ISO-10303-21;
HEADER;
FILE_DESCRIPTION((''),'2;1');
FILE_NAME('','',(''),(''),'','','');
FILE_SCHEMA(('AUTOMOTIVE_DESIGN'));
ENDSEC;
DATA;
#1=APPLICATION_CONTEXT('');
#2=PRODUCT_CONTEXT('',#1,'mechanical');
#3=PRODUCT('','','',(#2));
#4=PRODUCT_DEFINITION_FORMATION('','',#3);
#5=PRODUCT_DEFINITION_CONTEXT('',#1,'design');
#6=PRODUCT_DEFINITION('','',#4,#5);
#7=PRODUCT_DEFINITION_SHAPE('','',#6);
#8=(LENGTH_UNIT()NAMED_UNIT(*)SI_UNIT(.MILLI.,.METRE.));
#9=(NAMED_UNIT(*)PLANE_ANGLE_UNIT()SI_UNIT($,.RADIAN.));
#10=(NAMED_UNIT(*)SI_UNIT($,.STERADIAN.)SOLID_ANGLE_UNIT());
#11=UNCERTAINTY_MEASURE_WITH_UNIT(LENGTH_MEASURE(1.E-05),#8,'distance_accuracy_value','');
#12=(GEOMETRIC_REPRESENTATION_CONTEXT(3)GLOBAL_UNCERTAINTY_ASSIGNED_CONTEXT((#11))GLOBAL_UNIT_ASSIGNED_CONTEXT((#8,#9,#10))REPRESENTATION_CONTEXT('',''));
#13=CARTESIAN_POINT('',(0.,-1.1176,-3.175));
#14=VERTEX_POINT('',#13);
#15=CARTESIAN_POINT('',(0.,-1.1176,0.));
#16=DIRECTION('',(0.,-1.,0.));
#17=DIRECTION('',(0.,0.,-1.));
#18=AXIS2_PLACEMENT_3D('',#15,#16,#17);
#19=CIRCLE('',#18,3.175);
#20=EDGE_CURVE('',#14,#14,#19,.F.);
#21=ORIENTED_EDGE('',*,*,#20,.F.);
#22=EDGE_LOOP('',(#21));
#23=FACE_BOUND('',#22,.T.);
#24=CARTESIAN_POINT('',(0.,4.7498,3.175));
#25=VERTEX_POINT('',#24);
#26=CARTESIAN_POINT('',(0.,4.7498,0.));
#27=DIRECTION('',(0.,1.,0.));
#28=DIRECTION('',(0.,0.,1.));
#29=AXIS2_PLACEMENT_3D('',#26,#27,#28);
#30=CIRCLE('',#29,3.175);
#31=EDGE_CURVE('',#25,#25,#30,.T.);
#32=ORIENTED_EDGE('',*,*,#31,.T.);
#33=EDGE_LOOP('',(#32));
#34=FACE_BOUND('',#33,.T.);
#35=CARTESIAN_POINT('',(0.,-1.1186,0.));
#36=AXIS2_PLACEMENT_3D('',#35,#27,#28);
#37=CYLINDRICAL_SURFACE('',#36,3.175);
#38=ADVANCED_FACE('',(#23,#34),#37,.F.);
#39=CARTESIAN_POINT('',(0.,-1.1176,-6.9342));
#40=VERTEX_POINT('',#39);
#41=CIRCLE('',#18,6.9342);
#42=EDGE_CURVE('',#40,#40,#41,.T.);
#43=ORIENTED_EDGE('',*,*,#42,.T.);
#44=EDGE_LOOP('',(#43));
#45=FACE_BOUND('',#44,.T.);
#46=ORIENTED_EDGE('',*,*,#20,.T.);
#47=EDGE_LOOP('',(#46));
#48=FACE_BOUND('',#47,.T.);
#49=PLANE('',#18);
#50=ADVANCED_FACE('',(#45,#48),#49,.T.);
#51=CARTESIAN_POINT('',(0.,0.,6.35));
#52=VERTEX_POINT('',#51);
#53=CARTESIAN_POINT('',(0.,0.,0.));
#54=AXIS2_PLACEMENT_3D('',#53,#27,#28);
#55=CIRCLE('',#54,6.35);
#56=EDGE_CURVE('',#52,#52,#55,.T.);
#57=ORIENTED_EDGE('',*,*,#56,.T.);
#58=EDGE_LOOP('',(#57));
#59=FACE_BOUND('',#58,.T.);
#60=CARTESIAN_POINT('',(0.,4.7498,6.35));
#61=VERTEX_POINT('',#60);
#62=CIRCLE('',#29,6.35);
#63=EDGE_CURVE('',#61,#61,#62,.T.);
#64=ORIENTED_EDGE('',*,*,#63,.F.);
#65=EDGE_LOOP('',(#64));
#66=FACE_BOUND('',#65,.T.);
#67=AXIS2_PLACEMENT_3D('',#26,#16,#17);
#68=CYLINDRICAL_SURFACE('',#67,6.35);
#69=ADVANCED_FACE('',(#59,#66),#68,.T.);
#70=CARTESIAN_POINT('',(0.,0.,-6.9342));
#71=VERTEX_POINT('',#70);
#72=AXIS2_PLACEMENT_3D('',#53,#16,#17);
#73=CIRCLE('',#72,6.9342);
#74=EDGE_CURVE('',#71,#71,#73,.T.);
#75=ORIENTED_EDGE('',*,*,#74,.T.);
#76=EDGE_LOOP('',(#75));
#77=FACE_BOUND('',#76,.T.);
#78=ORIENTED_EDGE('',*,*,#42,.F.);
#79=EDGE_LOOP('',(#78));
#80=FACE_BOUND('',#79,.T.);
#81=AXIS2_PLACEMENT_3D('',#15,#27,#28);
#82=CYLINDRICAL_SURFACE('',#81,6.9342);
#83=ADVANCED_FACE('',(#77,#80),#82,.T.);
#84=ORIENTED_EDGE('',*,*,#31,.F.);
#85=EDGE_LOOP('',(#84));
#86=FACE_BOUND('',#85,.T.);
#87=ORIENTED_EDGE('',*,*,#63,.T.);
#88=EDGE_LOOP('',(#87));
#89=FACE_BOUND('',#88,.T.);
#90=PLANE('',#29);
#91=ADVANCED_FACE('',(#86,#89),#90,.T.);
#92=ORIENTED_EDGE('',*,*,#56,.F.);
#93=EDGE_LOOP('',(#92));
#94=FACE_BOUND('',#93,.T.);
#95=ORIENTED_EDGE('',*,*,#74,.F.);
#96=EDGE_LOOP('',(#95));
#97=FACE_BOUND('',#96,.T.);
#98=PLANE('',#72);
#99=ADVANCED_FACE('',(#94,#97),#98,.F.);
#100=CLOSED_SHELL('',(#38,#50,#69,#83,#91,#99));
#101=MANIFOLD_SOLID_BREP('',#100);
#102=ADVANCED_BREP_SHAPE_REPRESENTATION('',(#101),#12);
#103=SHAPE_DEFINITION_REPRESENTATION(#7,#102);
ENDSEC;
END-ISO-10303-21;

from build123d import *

# Parameters (mm, degrees)
SKETCH1_R           = 6.35
BOSS_EXTRUDE1_DEPTH = 4.7498
SKETCH2_R           = 6.9342
BOSS_EXTRUDE2_DEPTH = 1.1176
CUT_EXTRUDE1_REACH  = 13.428
SKETCH3_R           = 3.175


with BuildPart() as part:
    # Sketch1 → Boss-Extrude1 (new body)
    with BuildSketch(Plane(origin=(0, 0, 0), x_dir=(1, 0, 0), z_dir=(0, 1, 0))):
        with Locations(Location((0, 0, 0), (0, 0, 270))):
            Circle(SKETCH1_R)
    extrude(amount=BOSS_EXTRUDE1_DEPTH)

    # Sketch2 → Boss-Extrude2 (add)
    with BuildSketch(Plane.XZ):
        with Locations(Location((0, 0, 0), (0, 0, 270))):
            Circle(SKETCH2_R)
    extrude(amount=BOSS_EXTRUDE2_DEPTH)

    # Sketch3 → Cut-Extrude1 (cut, up to next)
    with BuildSketch(Plane(origin=(0, 4.7498, 0), x_dir=(1, 0, 0), z_dir=(0, 1, 0)), mode=Mode.PRIVATE) as cut_extrude1_sk1:
        with Locations(Location((0, 0, 0), (0, 0, 270))):
            Circle(SKETCH3_R)
    cut_extrude1_tool1 = extrude(cut_extrude1_sk1.sketch, amount=-CUT_EXTRUDE1_REACH, mode=Mode.PRIVATE) & part.part
    add(cut_extrude1_tool1.solids().sort_by_distance((0, 4.7498, 0))[0], mode=Mode.SUBTRACT)


solid = part.part
